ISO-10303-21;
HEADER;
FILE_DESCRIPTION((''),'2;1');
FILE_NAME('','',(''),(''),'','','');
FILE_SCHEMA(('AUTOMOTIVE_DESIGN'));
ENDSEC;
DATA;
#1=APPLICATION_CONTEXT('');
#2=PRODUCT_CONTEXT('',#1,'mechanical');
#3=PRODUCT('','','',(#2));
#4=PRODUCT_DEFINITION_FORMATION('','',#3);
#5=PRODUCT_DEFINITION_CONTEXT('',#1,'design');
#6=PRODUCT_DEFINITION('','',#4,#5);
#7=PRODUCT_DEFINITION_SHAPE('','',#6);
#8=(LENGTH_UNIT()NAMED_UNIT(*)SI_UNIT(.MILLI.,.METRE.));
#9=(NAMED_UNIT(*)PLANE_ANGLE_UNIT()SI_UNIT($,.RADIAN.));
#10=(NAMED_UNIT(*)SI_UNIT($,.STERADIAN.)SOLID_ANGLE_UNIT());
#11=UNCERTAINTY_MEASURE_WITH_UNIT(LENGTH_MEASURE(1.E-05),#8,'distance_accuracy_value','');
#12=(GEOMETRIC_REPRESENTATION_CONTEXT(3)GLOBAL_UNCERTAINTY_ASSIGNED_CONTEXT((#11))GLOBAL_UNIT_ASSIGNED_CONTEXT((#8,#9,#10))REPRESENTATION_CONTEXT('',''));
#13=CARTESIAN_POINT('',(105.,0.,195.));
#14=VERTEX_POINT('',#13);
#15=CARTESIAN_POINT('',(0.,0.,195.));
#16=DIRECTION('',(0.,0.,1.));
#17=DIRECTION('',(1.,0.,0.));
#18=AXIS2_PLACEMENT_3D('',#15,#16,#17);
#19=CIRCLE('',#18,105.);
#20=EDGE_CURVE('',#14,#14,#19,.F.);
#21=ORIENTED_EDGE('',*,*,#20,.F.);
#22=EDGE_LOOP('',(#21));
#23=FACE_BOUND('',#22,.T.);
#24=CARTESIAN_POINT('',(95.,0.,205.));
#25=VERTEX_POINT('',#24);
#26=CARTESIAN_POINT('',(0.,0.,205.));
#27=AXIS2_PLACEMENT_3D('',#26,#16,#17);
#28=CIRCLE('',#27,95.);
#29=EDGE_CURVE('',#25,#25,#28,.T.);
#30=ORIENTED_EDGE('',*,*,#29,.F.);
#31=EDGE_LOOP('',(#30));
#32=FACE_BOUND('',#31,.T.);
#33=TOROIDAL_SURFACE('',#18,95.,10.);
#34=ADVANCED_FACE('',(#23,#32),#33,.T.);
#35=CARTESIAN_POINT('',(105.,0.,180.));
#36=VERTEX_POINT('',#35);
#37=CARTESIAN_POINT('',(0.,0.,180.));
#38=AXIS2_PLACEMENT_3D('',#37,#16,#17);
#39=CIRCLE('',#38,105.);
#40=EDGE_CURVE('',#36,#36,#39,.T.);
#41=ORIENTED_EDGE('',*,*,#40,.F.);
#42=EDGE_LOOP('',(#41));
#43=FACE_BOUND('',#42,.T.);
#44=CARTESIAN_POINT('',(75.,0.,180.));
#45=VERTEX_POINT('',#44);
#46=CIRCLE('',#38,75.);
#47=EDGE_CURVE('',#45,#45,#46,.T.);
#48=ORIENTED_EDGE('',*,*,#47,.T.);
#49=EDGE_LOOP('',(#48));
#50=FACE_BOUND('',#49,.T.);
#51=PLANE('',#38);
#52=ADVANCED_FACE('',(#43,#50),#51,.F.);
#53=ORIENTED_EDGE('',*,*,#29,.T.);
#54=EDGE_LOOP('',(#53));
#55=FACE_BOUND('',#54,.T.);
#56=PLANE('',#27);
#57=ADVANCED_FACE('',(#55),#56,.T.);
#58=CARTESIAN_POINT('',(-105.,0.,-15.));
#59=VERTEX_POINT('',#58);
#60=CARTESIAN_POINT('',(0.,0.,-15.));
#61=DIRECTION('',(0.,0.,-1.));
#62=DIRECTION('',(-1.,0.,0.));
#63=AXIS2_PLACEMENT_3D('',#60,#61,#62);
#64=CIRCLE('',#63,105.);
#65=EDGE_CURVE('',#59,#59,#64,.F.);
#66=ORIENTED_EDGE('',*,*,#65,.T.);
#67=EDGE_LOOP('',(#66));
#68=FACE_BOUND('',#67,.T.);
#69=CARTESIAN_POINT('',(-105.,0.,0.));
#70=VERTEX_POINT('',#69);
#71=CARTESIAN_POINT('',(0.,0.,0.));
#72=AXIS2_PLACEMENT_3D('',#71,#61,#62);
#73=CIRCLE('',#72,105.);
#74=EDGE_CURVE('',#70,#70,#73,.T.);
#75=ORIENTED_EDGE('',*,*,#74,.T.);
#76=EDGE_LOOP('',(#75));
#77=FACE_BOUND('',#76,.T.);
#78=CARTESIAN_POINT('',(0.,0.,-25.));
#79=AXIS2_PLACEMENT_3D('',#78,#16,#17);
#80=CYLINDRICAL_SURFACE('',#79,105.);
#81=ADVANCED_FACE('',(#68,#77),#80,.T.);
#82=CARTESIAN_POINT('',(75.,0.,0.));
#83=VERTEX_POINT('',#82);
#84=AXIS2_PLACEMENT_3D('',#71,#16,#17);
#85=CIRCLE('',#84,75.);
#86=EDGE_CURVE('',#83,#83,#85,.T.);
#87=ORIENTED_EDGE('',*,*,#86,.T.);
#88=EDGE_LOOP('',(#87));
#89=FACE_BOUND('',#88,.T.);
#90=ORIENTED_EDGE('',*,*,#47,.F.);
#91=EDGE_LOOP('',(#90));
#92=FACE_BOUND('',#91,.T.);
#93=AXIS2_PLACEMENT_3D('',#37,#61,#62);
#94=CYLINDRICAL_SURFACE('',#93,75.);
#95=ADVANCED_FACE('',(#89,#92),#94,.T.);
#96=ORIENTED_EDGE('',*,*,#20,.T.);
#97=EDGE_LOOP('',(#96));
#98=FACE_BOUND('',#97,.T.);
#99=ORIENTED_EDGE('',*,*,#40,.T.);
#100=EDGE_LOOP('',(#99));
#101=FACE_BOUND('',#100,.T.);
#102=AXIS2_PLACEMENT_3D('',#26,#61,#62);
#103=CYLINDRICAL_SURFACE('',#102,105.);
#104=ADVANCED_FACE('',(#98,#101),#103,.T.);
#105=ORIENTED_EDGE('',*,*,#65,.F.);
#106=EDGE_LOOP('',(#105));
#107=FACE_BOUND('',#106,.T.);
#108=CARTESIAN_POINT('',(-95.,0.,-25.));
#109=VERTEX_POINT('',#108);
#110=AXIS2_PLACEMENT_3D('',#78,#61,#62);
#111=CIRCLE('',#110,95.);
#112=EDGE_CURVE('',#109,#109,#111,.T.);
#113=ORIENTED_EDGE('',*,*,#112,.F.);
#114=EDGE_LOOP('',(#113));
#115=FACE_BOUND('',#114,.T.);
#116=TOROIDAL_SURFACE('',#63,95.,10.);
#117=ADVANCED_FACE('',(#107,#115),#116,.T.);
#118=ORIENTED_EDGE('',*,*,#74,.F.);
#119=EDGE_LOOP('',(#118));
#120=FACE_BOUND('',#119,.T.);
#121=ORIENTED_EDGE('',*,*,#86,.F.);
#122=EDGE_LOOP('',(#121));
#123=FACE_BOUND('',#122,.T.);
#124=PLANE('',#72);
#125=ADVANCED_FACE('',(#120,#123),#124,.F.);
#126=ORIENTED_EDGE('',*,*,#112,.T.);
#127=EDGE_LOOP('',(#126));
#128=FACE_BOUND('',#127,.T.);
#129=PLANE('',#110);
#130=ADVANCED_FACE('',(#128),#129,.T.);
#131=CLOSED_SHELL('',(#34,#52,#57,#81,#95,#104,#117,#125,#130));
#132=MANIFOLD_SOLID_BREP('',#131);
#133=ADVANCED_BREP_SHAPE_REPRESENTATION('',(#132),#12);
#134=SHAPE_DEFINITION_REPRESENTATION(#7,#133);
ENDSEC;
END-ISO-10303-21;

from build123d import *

# Parameters (mm, degrees)
SKETCH1_R           = 75
BOSS_EXTRUDE1_DEPTH = 180
SKETCH2_R           = 105
BOSS_EXTRUDE2_DEPTH = 25
SKETCH3_R           = 105
BOSS_EXTRUDE3_DEPTH = 25
FILLET1_R           = 10


with BuildPart() as part:
    # Sketch1 → Boss-Extrude1 (new body)
    with BuildSketch(Plane.XY):
        Circle(SKETCH1_R)
    extrude(amount=BOSS_EXTRUDE1_DEPTH)

    # Sketch2 → Boss-Extrude2 (add)
    with BuildSketch(Plane.XY.offset(180)):
        Circle(SKETCH2_R)
    extrude(amount=BOSS_EXTRUDE2_DEPTH)

    # Sketch3 → Boss-Extrude3 (add)
    with BuildSketch(Plane(origin=(0, 0, 0), x_dir=(-1, 0, 0), z_dir=(0, 0, -1))):
        Circle(SKETCH3_R)
    extrude(amount=BOSS_EXTRUDE3_DEPTH)

    # Fillet1
    fillet1_edges = [part.edges().sort_by_distance(p)[0] for p in [
        (105, 0, -25),
        (-105, 0, 205),
    ]]
    fillet(fillet1_edges, radius=FILLET1_R)


solid = part.part
